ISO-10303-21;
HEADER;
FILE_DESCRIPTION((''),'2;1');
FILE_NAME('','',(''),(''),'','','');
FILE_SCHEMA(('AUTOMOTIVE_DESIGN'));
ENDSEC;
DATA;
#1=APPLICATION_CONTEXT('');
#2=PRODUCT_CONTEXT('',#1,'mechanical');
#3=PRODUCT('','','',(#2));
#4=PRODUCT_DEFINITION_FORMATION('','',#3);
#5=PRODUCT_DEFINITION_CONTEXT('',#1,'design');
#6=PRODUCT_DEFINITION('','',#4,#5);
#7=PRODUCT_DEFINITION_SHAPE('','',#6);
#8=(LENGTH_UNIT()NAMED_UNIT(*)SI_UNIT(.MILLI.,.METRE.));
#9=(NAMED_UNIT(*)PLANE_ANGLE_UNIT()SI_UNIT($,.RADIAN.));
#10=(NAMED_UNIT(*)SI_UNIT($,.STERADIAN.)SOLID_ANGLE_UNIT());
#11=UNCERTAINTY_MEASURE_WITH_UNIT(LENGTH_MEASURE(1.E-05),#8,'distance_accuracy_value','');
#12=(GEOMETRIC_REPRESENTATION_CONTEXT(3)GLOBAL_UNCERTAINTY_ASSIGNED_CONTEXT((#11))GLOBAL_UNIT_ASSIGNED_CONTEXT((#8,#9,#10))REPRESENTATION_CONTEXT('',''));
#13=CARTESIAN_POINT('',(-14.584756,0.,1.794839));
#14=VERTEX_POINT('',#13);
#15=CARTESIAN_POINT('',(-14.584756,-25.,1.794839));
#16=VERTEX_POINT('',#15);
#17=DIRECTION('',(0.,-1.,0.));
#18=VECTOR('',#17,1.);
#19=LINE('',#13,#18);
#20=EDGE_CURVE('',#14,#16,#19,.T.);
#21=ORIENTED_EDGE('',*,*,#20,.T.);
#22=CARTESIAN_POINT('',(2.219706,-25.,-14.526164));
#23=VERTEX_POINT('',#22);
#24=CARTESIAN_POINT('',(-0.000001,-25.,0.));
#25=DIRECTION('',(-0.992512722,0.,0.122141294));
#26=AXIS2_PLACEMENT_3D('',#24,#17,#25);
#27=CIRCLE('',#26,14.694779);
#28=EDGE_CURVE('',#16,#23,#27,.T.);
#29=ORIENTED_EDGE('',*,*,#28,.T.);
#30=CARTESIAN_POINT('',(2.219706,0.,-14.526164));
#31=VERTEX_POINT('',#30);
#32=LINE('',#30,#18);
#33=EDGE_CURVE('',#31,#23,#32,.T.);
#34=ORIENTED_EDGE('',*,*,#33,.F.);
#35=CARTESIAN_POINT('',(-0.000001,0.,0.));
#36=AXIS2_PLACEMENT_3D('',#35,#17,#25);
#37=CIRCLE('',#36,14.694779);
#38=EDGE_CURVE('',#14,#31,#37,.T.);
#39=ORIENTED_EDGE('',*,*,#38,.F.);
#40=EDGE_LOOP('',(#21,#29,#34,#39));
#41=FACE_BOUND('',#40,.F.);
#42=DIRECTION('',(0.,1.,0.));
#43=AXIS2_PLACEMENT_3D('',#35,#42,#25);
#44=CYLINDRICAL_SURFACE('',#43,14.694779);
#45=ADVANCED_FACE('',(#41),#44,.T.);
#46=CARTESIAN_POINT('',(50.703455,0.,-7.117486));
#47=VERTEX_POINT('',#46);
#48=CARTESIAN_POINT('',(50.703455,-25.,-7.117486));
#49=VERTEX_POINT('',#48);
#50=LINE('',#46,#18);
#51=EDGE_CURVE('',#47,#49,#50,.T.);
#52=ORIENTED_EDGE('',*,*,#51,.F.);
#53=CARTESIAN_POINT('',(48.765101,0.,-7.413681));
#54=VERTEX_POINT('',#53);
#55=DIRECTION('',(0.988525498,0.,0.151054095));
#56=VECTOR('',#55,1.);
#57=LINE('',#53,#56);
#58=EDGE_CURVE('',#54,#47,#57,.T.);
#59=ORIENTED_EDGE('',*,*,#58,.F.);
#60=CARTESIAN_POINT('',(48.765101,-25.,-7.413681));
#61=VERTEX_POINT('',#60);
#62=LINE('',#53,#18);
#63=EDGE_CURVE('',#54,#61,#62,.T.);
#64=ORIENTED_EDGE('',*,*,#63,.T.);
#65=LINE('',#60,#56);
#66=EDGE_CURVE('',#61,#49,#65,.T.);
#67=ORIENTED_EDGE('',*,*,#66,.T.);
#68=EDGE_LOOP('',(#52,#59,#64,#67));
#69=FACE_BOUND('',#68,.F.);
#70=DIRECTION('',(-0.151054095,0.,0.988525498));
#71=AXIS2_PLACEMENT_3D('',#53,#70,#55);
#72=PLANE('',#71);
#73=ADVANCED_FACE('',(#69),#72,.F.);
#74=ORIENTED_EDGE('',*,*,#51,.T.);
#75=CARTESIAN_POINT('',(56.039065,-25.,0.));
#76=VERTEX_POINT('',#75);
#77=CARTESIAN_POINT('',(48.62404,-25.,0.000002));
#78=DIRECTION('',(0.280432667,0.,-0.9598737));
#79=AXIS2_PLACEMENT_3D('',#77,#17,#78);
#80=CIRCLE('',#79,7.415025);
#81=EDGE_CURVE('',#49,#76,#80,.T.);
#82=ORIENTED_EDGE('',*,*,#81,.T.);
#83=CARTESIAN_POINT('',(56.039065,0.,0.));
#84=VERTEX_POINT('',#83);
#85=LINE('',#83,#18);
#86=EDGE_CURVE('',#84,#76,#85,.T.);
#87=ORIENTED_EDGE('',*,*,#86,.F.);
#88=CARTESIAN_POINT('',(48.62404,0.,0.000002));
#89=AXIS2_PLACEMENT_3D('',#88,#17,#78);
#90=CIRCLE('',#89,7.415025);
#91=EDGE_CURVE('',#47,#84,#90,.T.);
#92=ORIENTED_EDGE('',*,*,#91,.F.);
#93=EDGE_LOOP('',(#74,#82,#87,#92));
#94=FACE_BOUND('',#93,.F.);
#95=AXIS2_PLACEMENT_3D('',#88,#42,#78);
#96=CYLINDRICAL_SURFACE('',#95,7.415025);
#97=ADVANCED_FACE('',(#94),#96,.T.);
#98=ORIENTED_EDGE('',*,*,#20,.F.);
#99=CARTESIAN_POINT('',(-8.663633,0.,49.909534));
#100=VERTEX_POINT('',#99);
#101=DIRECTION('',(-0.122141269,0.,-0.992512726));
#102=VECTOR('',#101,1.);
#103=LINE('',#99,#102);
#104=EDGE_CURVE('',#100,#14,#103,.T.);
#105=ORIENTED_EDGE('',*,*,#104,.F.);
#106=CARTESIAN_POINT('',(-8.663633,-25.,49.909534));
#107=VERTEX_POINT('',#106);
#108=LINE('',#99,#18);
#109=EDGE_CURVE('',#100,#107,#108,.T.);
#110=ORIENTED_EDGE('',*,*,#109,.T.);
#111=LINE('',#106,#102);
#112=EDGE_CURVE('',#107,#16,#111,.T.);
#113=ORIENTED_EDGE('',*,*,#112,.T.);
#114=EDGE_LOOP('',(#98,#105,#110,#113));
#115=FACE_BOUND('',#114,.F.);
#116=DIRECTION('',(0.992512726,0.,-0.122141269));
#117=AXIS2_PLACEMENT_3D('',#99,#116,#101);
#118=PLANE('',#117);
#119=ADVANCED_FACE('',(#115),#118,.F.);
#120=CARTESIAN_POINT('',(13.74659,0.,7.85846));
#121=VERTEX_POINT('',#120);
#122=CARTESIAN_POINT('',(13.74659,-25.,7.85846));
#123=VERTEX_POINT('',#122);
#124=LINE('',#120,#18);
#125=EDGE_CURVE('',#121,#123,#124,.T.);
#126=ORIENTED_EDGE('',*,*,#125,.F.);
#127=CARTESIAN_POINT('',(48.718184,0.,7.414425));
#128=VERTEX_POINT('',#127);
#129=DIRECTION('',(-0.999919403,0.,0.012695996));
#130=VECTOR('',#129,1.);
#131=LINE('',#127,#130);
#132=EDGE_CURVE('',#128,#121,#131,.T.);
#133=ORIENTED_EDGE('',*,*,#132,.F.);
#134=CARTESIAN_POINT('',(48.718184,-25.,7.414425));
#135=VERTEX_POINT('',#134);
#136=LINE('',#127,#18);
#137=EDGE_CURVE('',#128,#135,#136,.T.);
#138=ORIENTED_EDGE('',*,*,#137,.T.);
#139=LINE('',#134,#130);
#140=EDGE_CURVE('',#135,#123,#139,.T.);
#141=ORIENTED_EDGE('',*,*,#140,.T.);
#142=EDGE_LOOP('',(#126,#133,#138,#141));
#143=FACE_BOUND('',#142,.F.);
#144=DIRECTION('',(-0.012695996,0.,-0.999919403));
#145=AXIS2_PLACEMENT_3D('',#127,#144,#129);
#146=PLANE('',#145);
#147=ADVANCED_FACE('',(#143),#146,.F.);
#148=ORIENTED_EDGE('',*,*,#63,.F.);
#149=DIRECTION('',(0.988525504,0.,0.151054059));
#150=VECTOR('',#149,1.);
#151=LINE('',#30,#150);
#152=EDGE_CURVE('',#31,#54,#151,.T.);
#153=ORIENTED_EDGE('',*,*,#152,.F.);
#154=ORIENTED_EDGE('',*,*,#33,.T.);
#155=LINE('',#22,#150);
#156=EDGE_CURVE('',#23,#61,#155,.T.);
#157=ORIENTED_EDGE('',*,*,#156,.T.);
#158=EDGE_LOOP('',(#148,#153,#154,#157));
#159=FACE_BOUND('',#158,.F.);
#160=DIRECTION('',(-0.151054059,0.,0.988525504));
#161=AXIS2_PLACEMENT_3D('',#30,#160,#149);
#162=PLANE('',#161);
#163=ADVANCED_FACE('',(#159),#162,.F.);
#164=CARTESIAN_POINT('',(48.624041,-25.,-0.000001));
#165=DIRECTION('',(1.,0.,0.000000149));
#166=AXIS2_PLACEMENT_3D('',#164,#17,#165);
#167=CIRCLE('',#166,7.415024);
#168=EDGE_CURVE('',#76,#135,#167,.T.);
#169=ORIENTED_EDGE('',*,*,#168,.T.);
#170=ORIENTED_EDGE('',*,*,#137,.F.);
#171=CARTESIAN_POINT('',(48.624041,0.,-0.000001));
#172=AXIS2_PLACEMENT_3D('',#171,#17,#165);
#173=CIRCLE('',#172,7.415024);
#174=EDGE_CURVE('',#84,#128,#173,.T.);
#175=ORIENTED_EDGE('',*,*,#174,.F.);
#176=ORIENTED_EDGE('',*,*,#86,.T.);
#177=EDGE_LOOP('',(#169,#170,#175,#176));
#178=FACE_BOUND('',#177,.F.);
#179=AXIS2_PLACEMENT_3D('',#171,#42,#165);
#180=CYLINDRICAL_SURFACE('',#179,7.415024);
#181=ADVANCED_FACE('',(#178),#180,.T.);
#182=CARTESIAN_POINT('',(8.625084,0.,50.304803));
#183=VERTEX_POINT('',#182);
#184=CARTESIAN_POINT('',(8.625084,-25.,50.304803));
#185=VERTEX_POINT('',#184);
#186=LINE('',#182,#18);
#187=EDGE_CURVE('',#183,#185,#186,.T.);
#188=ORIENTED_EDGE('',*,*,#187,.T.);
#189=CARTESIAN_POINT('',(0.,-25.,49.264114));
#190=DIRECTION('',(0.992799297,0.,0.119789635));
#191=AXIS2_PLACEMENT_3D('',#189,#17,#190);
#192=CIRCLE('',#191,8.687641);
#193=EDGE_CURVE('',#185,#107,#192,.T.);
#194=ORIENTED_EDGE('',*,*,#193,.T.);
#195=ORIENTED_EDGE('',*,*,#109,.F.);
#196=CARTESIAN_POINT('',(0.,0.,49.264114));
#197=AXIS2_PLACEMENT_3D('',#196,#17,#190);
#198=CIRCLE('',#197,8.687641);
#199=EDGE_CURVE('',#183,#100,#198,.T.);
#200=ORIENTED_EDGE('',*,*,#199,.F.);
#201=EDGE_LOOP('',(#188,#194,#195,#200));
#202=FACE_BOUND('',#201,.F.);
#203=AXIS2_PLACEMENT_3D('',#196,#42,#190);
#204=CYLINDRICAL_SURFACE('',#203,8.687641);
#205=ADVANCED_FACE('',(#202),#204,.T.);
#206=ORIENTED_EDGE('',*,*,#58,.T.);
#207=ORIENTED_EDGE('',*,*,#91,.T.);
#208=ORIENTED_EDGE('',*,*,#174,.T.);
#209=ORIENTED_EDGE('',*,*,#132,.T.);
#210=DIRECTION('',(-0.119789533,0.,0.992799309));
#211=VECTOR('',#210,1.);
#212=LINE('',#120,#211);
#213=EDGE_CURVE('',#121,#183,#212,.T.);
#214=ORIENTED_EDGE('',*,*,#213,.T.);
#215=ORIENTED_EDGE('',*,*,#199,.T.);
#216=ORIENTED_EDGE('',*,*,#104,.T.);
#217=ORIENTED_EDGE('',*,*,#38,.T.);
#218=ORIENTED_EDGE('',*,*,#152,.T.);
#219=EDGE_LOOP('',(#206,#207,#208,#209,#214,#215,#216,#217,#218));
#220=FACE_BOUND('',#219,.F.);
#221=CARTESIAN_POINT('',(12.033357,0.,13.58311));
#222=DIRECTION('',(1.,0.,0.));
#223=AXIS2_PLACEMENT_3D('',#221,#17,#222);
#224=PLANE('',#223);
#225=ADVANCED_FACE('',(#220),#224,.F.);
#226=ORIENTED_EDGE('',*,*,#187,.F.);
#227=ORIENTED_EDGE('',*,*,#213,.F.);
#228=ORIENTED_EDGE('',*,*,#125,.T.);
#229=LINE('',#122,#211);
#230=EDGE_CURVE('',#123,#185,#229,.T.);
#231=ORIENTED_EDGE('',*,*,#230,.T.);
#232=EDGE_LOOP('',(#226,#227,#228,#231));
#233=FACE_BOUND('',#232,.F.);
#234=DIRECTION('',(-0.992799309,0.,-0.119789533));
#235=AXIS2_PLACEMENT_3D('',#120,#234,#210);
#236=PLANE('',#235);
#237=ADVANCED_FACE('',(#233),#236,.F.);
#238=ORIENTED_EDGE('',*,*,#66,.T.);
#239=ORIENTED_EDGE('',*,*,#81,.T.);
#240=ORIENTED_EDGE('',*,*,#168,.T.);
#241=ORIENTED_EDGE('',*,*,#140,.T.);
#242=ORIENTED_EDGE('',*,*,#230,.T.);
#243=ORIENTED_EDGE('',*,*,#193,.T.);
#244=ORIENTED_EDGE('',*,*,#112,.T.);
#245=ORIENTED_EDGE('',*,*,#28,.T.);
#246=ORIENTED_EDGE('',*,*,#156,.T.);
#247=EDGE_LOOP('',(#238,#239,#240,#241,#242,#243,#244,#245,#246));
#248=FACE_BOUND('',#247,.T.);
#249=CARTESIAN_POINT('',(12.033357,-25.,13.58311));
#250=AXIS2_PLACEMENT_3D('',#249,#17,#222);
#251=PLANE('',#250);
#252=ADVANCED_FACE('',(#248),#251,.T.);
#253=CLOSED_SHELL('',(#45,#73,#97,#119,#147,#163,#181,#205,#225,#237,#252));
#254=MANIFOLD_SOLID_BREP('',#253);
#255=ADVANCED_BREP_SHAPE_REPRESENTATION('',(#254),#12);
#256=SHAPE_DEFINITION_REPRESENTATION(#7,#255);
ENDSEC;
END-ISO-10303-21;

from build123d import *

# Parameters (mm, degrees)
F1_DEPTH = 25


with BuildPart() as f1:
    # F0 (on Front) → F1 (new body)
    with BuildSketch(Plane.XZ):
        with BuildLine():
            Line((13.74659, 7.85846), (8.625084, 50.304803))
            ThreePointArc((8.625084, 50.304803), (-0.198572, 57.949485), (-8.663633, 49.909534))
            Line((-8.663633, 49.909534), (-14.584756, 1.794839))
            ThreePointArc((-14.584756, 1.794839), (-10.238037, -10.541307), (2.219706, -14.526164))
            Line((2.219706, -14.526164), (48.765101, -7.413681))
            ThreePointArc((48.765101, -7.413681), (41.209057, -0.023461), (48.718184, 7.414425))
            Line((48.718184, 7.414425), (13.74659, 7.85846))
        make_face()
        with BuildLine():
            ThreePointArc((56.039065, 0), (53.900434, 5.209822), (48.718184, 7.414425))
            ThreePointArc((48.718184, 7.414425), (41.209057, -0.023461), (48.765101, -7.413681))
            Line((48.765101, -7.413681), (50.703455, -7.117486))
            ThreePointArc((50.703455, -7.117486), (54.557062, -4.447677), (56.039065, 0))
        make_face()
    extrude(amount=F1_DEPTH)


solid = f1.part
